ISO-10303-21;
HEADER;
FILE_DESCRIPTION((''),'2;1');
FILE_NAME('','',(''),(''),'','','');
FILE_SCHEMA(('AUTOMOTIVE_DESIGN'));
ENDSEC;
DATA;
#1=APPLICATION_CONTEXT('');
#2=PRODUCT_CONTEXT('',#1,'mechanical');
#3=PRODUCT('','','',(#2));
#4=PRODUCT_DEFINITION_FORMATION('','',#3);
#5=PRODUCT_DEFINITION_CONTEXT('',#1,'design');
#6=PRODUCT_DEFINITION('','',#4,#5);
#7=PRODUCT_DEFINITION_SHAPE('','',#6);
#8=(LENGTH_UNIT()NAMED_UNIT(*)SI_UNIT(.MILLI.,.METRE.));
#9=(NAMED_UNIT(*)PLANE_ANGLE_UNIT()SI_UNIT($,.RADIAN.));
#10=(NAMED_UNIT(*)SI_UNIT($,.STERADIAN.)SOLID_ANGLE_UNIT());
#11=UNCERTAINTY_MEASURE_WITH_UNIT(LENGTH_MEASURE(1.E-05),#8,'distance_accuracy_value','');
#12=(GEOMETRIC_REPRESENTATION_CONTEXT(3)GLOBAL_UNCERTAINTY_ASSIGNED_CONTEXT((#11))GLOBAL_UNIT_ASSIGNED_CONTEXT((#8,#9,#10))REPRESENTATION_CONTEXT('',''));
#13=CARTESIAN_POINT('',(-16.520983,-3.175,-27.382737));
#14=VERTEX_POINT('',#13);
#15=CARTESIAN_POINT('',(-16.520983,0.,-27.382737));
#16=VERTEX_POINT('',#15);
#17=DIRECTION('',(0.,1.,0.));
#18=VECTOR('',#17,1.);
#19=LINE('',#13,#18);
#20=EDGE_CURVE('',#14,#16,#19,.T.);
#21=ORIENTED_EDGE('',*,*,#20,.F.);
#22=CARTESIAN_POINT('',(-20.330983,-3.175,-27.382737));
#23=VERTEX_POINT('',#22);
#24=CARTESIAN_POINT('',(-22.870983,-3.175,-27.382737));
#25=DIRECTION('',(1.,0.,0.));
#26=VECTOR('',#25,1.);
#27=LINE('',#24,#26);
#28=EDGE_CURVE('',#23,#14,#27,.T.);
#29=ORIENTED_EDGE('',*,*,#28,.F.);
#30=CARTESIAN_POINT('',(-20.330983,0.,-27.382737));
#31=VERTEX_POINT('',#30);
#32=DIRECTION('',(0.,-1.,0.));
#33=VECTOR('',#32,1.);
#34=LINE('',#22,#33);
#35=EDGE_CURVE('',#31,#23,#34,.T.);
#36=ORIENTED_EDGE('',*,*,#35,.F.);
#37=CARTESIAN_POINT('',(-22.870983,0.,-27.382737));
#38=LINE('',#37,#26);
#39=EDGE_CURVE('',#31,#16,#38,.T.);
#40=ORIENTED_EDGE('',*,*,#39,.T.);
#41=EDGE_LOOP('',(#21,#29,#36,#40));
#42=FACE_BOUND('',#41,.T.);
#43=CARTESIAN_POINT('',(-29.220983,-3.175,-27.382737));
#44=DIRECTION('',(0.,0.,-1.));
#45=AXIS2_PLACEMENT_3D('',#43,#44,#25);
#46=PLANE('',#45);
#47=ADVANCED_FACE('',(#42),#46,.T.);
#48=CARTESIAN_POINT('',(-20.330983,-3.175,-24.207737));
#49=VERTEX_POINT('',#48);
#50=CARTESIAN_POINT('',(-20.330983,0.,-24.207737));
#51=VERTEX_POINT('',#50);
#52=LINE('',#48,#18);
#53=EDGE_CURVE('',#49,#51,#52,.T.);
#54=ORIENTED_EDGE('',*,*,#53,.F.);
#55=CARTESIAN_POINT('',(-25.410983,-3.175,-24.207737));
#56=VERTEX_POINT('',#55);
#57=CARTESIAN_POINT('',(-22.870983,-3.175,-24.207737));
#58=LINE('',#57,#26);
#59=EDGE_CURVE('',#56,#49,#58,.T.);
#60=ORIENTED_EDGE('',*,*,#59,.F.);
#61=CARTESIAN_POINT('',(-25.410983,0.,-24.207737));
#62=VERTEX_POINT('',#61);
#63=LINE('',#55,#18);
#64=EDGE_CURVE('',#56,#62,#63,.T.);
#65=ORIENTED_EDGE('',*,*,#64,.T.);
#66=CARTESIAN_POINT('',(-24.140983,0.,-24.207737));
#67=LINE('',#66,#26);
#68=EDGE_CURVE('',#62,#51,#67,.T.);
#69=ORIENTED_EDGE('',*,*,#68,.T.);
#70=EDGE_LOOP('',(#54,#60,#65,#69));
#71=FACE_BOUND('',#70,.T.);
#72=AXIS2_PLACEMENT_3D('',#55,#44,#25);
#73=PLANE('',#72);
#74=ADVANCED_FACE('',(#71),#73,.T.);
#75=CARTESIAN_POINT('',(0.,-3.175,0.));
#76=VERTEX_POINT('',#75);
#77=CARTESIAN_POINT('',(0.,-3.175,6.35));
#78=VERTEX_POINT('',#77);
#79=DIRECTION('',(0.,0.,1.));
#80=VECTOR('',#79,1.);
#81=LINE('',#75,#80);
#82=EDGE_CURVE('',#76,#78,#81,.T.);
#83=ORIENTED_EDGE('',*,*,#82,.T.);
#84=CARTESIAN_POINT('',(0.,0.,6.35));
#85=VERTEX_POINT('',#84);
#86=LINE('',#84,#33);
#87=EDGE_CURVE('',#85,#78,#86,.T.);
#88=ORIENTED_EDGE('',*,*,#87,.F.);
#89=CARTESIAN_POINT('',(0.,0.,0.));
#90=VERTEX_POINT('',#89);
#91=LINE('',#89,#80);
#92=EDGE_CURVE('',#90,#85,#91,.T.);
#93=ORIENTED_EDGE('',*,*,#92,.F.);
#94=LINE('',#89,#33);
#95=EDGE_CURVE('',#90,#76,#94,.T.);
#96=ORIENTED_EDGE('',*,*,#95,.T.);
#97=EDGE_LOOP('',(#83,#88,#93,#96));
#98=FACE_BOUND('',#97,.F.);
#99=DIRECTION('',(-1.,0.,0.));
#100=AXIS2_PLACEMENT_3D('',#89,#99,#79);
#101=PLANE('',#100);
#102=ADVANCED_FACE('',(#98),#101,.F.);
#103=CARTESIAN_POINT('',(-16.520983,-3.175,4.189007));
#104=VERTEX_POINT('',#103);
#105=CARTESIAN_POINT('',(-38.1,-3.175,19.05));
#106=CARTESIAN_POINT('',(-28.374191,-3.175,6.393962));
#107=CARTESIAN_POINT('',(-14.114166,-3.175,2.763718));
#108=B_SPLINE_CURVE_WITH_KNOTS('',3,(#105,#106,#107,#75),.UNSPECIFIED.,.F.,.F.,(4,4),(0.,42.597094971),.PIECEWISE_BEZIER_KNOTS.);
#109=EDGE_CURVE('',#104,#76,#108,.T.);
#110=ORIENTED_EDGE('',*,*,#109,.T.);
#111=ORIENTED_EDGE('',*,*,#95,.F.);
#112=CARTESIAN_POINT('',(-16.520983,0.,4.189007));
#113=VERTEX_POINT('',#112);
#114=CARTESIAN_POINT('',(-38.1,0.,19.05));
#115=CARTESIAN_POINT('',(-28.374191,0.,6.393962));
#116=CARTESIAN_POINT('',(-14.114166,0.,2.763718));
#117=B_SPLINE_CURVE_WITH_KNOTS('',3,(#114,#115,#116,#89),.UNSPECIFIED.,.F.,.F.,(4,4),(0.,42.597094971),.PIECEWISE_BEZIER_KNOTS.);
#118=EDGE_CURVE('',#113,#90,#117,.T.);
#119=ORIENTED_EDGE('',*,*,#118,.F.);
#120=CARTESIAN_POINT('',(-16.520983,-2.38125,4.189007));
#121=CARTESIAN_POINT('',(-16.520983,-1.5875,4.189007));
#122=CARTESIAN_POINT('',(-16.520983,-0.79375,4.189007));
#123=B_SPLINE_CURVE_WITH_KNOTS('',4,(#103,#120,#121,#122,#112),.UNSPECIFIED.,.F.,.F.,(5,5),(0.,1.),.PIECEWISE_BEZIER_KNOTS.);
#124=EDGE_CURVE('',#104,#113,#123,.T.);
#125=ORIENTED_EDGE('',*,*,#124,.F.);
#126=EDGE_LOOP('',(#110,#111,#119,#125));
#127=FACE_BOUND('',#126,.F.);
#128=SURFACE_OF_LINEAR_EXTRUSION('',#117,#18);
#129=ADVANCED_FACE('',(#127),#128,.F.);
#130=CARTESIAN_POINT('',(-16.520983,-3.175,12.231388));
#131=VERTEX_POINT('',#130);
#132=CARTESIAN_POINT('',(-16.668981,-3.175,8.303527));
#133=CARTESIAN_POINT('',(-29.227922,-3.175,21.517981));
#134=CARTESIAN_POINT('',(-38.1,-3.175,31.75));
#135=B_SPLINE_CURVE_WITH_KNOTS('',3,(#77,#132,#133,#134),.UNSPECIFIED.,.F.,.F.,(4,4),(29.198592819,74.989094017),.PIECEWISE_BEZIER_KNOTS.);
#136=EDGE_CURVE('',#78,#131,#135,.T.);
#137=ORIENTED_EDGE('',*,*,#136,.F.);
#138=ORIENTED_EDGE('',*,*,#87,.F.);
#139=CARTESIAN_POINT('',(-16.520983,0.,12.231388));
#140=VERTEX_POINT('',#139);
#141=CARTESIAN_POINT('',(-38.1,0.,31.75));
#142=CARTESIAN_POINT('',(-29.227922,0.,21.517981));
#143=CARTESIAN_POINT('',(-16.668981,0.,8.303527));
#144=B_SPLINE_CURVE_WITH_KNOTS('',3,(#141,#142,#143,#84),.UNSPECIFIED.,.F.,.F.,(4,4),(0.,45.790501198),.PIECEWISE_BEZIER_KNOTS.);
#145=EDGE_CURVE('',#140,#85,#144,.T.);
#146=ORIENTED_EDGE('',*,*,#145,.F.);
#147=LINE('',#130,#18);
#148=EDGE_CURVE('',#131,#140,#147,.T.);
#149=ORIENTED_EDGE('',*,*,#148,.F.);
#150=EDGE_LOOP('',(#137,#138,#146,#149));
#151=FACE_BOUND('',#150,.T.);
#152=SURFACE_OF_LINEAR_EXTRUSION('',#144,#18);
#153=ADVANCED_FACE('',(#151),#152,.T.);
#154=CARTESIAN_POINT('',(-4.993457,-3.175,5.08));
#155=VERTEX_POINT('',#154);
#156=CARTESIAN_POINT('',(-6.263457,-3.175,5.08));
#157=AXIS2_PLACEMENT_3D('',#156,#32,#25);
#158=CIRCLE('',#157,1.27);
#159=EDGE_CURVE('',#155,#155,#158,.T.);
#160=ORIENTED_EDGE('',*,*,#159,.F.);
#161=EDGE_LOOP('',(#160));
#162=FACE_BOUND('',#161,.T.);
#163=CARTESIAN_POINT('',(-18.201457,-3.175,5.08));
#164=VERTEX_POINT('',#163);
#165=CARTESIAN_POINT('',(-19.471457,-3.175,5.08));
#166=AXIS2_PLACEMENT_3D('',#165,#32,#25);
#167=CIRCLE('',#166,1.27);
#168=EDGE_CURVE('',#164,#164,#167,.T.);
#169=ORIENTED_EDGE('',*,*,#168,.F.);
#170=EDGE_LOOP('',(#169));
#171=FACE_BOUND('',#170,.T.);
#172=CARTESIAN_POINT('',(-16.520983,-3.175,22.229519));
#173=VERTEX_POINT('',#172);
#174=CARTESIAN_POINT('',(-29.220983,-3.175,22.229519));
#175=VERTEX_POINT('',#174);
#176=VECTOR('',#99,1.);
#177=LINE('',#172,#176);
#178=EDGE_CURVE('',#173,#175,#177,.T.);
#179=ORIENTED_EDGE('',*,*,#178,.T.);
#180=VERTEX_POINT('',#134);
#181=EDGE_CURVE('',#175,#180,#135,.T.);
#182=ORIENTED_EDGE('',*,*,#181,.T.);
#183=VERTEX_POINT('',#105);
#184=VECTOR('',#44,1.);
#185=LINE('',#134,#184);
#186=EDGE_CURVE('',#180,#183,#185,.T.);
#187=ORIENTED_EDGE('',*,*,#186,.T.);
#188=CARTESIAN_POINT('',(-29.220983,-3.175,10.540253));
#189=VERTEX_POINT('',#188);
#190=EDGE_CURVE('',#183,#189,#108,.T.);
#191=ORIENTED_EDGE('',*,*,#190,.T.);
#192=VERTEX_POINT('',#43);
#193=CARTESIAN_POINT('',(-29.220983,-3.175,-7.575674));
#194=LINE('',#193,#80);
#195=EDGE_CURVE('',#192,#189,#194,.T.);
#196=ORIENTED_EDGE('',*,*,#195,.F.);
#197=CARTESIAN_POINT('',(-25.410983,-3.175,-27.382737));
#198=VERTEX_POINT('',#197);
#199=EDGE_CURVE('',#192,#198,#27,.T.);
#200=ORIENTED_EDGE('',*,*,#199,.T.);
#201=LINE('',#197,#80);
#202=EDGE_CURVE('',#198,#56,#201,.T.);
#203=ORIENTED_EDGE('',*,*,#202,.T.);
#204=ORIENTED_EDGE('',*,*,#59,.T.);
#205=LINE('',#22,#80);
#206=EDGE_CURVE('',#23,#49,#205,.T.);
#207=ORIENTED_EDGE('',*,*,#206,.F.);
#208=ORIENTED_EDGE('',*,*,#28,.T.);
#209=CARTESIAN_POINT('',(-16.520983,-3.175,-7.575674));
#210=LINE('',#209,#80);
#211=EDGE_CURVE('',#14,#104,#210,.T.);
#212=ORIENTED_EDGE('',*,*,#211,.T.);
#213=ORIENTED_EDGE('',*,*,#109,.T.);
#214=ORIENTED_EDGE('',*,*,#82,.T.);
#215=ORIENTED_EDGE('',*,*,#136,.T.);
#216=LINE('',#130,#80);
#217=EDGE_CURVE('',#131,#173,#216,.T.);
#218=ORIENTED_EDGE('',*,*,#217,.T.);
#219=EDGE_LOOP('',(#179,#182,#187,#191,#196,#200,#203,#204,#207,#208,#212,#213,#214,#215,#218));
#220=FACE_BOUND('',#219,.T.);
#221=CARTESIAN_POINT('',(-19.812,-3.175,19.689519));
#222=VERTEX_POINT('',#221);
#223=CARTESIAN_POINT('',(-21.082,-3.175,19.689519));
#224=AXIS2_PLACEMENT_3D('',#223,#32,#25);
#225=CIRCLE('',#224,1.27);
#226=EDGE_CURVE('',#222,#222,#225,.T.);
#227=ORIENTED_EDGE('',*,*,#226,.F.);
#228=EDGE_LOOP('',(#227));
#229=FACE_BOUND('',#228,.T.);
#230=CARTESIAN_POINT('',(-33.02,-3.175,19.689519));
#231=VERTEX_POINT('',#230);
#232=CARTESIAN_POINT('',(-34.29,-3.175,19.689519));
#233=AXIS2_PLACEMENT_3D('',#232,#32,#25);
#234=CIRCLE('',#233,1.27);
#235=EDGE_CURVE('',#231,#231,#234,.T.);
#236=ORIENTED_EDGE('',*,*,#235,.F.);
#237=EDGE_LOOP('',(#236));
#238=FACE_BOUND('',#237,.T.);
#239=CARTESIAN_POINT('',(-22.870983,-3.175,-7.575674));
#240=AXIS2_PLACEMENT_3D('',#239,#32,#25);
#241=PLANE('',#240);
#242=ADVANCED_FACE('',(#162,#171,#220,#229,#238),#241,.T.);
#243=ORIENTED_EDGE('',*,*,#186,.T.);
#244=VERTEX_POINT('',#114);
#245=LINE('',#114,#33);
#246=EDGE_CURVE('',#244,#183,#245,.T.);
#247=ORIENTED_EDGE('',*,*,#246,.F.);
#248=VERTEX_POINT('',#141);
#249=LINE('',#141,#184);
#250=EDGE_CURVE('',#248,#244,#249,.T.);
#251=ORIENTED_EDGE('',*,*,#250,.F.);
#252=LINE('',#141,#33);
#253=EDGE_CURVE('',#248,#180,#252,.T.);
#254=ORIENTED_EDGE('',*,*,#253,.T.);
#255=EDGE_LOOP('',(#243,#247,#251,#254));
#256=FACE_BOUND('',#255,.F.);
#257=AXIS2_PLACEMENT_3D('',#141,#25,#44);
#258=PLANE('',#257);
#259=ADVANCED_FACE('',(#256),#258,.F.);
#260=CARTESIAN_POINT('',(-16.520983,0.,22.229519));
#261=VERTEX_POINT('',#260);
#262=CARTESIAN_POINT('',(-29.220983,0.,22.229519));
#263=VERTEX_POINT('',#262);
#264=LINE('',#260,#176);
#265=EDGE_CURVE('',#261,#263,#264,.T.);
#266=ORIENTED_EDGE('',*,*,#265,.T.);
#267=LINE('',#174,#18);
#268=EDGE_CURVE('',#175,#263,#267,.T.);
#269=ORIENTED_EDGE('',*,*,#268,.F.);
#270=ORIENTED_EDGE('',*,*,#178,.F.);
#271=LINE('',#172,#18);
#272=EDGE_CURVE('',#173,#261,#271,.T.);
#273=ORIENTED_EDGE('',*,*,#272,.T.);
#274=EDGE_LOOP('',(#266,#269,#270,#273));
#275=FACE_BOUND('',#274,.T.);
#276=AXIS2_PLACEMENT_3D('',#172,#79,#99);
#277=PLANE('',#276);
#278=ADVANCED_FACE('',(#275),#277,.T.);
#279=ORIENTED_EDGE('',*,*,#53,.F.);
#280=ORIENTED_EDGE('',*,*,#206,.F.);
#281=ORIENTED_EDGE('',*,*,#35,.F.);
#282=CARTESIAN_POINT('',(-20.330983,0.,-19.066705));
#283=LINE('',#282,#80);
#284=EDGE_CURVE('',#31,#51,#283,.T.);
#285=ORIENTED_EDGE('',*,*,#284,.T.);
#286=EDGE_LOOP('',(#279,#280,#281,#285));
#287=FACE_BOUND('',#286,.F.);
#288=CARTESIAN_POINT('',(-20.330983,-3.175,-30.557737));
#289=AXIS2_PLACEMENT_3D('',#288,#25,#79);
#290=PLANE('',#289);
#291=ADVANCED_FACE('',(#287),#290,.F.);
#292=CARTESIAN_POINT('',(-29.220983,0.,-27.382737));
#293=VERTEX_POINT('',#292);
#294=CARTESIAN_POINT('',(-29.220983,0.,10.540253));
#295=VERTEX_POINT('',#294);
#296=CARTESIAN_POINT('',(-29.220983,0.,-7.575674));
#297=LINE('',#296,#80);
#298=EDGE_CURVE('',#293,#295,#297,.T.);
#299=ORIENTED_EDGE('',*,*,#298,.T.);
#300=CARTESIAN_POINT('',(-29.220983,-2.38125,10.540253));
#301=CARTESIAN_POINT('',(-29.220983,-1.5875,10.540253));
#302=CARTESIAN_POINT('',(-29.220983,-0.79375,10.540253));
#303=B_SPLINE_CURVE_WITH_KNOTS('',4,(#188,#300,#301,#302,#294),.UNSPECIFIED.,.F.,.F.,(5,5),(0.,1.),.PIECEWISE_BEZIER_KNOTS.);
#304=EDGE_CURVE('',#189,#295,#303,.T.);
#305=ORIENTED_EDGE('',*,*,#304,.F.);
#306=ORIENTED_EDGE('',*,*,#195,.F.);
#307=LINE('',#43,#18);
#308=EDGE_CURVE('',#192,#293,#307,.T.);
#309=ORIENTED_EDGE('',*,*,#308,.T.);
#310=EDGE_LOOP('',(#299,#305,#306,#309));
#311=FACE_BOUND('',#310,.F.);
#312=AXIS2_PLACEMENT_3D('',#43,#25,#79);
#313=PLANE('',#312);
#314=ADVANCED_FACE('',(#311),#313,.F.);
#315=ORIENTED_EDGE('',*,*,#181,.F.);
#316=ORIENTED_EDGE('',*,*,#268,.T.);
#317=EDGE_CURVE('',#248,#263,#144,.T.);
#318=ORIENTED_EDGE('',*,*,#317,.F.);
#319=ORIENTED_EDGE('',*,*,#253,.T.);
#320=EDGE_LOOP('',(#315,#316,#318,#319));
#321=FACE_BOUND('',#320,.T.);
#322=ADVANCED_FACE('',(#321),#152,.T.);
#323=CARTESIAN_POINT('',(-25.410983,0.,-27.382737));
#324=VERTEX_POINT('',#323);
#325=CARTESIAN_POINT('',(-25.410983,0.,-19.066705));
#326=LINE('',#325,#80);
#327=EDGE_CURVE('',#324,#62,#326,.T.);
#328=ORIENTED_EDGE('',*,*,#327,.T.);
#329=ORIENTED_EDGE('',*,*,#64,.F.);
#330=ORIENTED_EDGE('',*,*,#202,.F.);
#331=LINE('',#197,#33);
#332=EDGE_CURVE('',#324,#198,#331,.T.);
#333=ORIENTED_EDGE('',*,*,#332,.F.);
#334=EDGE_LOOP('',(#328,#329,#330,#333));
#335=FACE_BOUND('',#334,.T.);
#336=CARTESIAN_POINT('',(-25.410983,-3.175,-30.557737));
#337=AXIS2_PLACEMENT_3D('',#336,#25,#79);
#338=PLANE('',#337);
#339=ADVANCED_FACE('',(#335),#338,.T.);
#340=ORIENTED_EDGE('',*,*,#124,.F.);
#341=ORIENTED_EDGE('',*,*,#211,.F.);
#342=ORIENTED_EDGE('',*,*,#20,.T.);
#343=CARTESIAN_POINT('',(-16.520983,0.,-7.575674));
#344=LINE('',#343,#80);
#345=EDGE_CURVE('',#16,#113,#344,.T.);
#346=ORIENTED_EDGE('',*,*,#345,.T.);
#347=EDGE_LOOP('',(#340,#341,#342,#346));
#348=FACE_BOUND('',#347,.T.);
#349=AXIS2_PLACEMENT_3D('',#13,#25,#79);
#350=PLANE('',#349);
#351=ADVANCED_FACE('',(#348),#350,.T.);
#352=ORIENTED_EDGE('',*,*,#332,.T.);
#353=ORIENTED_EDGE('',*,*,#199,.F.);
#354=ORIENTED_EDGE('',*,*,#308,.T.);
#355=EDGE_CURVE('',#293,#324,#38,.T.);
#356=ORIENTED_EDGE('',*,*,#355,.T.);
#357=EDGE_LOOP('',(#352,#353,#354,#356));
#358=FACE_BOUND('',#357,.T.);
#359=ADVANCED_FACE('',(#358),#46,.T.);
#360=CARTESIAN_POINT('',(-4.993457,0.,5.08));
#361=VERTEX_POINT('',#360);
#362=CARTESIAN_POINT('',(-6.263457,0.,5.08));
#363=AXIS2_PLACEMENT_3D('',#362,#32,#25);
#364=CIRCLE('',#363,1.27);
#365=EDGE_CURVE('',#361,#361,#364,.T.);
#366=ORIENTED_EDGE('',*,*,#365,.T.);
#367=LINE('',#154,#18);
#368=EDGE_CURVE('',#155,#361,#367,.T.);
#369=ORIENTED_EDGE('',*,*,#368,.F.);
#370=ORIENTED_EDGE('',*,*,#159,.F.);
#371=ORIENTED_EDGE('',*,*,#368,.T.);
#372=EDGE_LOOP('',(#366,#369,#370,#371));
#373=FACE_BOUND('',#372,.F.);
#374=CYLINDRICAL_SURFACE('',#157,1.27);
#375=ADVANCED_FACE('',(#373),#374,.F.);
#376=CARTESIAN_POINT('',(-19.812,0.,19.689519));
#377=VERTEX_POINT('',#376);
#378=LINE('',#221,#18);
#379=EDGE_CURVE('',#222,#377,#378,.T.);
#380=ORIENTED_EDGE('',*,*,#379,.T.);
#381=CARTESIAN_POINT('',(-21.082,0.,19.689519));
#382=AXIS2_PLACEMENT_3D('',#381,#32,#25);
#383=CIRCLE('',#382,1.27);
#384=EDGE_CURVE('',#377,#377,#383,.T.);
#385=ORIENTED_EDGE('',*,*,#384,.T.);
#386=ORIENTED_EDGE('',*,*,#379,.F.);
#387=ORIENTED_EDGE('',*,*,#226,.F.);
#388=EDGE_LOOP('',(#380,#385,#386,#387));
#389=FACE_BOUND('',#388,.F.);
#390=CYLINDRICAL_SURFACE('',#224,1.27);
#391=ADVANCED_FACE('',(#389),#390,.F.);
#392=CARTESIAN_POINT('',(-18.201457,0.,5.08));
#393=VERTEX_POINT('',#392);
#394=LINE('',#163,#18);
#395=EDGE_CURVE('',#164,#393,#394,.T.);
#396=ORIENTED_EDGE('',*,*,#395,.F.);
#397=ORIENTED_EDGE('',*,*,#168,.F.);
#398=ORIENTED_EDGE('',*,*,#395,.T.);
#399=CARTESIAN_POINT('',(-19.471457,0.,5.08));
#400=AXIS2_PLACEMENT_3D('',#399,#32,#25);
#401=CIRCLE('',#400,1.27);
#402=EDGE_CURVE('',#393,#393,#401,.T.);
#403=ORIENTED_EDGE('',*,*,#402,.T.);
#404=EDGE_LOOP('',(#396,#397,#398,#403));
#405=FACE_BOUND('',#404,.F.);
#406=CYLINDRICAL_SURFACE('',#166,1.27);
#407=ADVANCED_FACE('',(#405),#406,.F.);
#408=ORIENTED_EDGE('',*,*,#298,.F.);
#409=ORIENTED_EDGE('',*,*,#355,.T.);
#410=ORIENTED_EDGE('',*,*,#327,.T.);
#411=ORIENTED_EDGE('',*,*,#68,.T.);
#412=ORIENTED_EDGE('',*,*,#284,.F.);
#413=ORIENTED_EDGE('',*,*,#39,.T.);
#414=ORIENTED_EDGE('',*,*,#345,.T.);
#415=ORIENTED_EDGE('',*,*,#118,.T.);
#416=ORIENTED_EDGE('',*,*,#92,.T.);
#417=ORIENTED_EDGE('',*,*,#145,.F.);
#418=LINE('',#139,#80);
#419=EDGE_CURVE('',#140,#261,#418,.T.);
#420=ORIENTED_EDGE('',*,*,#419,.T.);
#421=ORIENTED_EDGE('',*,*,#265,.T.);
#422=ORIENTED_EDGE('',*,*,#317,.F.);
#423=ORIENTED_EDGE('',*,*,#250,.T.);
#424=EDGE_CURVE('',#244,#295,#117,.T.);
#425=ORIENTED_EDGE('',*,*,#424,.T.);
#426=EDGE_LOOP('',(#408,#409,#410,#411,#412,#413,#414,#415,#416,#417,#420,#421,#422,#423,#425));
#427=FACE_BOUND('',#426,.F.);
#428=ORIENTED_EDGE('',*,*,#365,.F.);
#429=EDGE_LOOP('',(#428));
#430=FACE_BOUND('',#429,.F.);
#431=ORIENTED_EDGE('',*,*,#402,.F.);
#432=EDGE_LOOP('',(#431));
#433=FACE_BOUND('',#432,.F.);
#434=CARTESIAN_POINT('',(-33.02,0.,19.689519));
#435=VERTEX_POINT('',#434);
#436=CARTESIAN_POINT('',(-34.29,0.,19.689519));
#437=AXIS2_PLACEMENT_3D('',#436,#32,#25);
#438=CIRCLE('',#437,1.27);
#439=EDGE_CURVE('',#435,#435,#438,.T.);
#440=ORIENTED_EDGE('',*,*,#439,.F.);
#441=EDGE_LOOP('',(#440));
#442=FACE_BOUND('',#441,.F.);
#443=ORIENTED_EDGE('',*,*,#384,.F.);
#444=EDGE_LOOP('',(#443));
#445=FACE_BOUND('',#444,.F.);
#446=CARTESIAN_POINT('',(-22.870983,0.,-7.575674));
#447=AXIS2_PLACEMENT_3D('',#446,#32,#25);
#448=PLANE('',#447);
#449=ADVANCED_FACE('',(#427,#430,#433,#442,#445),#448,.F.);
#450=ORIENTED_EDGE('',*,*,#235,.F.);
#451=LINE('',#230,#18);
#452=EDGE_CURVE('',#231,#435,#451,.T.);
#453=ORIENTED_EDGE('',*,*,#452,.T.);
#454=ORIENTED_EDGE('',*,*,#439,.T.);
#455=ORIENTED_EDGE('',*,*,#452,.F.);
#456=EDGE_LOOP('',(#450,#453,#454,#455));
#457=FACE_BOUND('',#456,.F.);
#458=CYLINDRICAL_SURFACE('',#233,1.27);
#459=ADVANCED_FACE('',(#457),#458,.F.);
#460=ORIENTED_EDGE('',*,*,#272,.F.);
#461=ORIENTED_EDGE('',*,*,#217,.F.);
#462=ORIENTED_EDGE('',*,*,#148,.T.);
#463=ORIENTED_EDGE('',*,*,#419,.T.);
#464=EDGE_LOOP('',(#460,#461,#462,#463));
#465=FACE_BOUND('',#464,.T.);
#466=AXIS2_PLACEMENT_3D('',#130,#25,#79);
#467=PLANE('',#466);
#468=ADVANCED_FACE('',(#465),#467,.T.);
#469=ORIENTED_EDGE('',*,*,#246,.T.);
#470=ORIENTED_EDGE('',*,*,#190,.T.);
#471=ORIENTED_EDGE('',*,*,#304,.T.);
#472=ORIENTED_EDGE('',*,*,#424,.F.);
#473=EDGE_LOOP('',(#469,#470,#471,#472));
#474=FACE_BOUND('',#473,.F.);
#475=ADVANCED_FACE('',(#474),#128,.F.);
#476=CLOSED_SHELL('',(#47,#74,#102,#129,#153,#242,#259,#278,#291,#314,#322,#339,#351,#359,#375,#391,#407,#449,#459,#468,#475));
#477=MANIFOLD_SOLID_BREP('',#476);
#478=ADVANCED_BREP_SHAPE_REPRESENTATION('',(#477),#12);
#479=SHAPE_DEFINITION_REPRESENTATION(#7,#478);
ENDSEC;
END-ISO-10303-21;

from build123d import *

# Parameters (mm, degrees)
F1_DEPTH  = 3.175
F2_W      = 12.7
F2_H      = 39.6141249724
F3_DEPTH  = 3.175
F5_DEPTH  = 3.175
F6_R      = 1.27
F7_DEPTH  = 3.1760001
F8_R      = 1.27
F9_DEPTH  = 3.1760001
F10_W     = 5.08
F10_H     = 6.35
F11_DEPTH = 25.4


with BuildPart() as f1:
    # F0 (on Front) → F1 (new body)
    with BuildSketch(Plane.XZ):
        with BuildLine():
            add(Edge.make_bspline(
                [(-38.1, 19.05), (-28.3741913736, 6.3939620741), (-14.1141656786, 2.7637183666), (0, 0)],
                knots=[0, 0, 0, 0, 42.5970949714, 42.5970949714, 42.5970949714, 42.5970949714], degree=3))
            Line((0, 0), (0, 6.35))
            add(Edge.make_bspline(
                [(-38.1, 31.75), (-29.2279217392, 21.5179808438), (-16.6689809412, 8.3035267889), (0, 6.35)],
                knots=[0, 0, 0, 0, 45.7905011984, 45.7905011984, 45.7905011984, 45.7905011984], degree=3))
            Line((-38.1, 31.75), (-38.1, 19.05))
        make_face()
    extrude(amount=F1_DEPTH)

    # F2 (on face) → F3 (join, through all)
    with BuildSketch(Plane.XZ.offset(3.175)):
        with Locations((-22.8709825013, -7.5756740422)):
            Rectangle(F2_W, F2_H)
    extrude(amount=-F3_DEPTH)

    # F4 (on face) → F5 (join, through all)
    with BuildSketch(Plane.XZ.offset(3.175)):
        with BuildLine():
            Line((-16.5209825013, 22.2295189018), (-29.2209825013, 22.2295189018))
            add(Edge.make_bspline(
                [(-16.5209825013, 12.2313884441), (-21.2089143391, 15.0429542082), (-25.4366525194, 18.5639866867), (-29.2209825013, 22.2295189018)],
                knots=[45.7905011984, 45.7905011984, 45.7905011984, 45.7905011984, 61.4068288598, 61.4068288598, 61.4068288598, 61.4068288598], degree=3))
            Line((-16.5209825013, 12.2313884441), (-16.5209825013, 22.2295189018))
        make_face()
    extrude(amount=-F5_DEPTH)

    # F6 (on face) → F7 (cut, through all)
    with BuildSketch(Plane.XZ.offset(3.175)):
        with Locations((-34.29, 19.6895189018)):
            Circle(F6_R)
        with Locations((-21.082, 19.6895189018)):
            Circle(F6_R)
    extrude(amount=-F7_DEPTH, mode=Mode.SUBTRACT)

    # F8 (on face) → F9 (cut, through all)
    with BuildSketch(Plane.XZ.offset(3.175)):
        with Locations((-19.4714572281, 5.08)):
            Circle(F8_R)
        with Locations((-6.2634572281, 5.08)):
            Circle(F8_R)
    extrude(amount=-F9_DEPTH, mode=Mode.SUBTRACT)

    # F10 (on face) → F11 (cut)
    with BuildSketch(Plane.XZ.offset(3.175)):
        with Locations((-22.8709825013, -27.3827365284)):
            Rectangle(F10_W, F10_H)
    extrude(amount=-F11_DEPTH, mode=Mode.SUBTRACT)


solid = f1.part
